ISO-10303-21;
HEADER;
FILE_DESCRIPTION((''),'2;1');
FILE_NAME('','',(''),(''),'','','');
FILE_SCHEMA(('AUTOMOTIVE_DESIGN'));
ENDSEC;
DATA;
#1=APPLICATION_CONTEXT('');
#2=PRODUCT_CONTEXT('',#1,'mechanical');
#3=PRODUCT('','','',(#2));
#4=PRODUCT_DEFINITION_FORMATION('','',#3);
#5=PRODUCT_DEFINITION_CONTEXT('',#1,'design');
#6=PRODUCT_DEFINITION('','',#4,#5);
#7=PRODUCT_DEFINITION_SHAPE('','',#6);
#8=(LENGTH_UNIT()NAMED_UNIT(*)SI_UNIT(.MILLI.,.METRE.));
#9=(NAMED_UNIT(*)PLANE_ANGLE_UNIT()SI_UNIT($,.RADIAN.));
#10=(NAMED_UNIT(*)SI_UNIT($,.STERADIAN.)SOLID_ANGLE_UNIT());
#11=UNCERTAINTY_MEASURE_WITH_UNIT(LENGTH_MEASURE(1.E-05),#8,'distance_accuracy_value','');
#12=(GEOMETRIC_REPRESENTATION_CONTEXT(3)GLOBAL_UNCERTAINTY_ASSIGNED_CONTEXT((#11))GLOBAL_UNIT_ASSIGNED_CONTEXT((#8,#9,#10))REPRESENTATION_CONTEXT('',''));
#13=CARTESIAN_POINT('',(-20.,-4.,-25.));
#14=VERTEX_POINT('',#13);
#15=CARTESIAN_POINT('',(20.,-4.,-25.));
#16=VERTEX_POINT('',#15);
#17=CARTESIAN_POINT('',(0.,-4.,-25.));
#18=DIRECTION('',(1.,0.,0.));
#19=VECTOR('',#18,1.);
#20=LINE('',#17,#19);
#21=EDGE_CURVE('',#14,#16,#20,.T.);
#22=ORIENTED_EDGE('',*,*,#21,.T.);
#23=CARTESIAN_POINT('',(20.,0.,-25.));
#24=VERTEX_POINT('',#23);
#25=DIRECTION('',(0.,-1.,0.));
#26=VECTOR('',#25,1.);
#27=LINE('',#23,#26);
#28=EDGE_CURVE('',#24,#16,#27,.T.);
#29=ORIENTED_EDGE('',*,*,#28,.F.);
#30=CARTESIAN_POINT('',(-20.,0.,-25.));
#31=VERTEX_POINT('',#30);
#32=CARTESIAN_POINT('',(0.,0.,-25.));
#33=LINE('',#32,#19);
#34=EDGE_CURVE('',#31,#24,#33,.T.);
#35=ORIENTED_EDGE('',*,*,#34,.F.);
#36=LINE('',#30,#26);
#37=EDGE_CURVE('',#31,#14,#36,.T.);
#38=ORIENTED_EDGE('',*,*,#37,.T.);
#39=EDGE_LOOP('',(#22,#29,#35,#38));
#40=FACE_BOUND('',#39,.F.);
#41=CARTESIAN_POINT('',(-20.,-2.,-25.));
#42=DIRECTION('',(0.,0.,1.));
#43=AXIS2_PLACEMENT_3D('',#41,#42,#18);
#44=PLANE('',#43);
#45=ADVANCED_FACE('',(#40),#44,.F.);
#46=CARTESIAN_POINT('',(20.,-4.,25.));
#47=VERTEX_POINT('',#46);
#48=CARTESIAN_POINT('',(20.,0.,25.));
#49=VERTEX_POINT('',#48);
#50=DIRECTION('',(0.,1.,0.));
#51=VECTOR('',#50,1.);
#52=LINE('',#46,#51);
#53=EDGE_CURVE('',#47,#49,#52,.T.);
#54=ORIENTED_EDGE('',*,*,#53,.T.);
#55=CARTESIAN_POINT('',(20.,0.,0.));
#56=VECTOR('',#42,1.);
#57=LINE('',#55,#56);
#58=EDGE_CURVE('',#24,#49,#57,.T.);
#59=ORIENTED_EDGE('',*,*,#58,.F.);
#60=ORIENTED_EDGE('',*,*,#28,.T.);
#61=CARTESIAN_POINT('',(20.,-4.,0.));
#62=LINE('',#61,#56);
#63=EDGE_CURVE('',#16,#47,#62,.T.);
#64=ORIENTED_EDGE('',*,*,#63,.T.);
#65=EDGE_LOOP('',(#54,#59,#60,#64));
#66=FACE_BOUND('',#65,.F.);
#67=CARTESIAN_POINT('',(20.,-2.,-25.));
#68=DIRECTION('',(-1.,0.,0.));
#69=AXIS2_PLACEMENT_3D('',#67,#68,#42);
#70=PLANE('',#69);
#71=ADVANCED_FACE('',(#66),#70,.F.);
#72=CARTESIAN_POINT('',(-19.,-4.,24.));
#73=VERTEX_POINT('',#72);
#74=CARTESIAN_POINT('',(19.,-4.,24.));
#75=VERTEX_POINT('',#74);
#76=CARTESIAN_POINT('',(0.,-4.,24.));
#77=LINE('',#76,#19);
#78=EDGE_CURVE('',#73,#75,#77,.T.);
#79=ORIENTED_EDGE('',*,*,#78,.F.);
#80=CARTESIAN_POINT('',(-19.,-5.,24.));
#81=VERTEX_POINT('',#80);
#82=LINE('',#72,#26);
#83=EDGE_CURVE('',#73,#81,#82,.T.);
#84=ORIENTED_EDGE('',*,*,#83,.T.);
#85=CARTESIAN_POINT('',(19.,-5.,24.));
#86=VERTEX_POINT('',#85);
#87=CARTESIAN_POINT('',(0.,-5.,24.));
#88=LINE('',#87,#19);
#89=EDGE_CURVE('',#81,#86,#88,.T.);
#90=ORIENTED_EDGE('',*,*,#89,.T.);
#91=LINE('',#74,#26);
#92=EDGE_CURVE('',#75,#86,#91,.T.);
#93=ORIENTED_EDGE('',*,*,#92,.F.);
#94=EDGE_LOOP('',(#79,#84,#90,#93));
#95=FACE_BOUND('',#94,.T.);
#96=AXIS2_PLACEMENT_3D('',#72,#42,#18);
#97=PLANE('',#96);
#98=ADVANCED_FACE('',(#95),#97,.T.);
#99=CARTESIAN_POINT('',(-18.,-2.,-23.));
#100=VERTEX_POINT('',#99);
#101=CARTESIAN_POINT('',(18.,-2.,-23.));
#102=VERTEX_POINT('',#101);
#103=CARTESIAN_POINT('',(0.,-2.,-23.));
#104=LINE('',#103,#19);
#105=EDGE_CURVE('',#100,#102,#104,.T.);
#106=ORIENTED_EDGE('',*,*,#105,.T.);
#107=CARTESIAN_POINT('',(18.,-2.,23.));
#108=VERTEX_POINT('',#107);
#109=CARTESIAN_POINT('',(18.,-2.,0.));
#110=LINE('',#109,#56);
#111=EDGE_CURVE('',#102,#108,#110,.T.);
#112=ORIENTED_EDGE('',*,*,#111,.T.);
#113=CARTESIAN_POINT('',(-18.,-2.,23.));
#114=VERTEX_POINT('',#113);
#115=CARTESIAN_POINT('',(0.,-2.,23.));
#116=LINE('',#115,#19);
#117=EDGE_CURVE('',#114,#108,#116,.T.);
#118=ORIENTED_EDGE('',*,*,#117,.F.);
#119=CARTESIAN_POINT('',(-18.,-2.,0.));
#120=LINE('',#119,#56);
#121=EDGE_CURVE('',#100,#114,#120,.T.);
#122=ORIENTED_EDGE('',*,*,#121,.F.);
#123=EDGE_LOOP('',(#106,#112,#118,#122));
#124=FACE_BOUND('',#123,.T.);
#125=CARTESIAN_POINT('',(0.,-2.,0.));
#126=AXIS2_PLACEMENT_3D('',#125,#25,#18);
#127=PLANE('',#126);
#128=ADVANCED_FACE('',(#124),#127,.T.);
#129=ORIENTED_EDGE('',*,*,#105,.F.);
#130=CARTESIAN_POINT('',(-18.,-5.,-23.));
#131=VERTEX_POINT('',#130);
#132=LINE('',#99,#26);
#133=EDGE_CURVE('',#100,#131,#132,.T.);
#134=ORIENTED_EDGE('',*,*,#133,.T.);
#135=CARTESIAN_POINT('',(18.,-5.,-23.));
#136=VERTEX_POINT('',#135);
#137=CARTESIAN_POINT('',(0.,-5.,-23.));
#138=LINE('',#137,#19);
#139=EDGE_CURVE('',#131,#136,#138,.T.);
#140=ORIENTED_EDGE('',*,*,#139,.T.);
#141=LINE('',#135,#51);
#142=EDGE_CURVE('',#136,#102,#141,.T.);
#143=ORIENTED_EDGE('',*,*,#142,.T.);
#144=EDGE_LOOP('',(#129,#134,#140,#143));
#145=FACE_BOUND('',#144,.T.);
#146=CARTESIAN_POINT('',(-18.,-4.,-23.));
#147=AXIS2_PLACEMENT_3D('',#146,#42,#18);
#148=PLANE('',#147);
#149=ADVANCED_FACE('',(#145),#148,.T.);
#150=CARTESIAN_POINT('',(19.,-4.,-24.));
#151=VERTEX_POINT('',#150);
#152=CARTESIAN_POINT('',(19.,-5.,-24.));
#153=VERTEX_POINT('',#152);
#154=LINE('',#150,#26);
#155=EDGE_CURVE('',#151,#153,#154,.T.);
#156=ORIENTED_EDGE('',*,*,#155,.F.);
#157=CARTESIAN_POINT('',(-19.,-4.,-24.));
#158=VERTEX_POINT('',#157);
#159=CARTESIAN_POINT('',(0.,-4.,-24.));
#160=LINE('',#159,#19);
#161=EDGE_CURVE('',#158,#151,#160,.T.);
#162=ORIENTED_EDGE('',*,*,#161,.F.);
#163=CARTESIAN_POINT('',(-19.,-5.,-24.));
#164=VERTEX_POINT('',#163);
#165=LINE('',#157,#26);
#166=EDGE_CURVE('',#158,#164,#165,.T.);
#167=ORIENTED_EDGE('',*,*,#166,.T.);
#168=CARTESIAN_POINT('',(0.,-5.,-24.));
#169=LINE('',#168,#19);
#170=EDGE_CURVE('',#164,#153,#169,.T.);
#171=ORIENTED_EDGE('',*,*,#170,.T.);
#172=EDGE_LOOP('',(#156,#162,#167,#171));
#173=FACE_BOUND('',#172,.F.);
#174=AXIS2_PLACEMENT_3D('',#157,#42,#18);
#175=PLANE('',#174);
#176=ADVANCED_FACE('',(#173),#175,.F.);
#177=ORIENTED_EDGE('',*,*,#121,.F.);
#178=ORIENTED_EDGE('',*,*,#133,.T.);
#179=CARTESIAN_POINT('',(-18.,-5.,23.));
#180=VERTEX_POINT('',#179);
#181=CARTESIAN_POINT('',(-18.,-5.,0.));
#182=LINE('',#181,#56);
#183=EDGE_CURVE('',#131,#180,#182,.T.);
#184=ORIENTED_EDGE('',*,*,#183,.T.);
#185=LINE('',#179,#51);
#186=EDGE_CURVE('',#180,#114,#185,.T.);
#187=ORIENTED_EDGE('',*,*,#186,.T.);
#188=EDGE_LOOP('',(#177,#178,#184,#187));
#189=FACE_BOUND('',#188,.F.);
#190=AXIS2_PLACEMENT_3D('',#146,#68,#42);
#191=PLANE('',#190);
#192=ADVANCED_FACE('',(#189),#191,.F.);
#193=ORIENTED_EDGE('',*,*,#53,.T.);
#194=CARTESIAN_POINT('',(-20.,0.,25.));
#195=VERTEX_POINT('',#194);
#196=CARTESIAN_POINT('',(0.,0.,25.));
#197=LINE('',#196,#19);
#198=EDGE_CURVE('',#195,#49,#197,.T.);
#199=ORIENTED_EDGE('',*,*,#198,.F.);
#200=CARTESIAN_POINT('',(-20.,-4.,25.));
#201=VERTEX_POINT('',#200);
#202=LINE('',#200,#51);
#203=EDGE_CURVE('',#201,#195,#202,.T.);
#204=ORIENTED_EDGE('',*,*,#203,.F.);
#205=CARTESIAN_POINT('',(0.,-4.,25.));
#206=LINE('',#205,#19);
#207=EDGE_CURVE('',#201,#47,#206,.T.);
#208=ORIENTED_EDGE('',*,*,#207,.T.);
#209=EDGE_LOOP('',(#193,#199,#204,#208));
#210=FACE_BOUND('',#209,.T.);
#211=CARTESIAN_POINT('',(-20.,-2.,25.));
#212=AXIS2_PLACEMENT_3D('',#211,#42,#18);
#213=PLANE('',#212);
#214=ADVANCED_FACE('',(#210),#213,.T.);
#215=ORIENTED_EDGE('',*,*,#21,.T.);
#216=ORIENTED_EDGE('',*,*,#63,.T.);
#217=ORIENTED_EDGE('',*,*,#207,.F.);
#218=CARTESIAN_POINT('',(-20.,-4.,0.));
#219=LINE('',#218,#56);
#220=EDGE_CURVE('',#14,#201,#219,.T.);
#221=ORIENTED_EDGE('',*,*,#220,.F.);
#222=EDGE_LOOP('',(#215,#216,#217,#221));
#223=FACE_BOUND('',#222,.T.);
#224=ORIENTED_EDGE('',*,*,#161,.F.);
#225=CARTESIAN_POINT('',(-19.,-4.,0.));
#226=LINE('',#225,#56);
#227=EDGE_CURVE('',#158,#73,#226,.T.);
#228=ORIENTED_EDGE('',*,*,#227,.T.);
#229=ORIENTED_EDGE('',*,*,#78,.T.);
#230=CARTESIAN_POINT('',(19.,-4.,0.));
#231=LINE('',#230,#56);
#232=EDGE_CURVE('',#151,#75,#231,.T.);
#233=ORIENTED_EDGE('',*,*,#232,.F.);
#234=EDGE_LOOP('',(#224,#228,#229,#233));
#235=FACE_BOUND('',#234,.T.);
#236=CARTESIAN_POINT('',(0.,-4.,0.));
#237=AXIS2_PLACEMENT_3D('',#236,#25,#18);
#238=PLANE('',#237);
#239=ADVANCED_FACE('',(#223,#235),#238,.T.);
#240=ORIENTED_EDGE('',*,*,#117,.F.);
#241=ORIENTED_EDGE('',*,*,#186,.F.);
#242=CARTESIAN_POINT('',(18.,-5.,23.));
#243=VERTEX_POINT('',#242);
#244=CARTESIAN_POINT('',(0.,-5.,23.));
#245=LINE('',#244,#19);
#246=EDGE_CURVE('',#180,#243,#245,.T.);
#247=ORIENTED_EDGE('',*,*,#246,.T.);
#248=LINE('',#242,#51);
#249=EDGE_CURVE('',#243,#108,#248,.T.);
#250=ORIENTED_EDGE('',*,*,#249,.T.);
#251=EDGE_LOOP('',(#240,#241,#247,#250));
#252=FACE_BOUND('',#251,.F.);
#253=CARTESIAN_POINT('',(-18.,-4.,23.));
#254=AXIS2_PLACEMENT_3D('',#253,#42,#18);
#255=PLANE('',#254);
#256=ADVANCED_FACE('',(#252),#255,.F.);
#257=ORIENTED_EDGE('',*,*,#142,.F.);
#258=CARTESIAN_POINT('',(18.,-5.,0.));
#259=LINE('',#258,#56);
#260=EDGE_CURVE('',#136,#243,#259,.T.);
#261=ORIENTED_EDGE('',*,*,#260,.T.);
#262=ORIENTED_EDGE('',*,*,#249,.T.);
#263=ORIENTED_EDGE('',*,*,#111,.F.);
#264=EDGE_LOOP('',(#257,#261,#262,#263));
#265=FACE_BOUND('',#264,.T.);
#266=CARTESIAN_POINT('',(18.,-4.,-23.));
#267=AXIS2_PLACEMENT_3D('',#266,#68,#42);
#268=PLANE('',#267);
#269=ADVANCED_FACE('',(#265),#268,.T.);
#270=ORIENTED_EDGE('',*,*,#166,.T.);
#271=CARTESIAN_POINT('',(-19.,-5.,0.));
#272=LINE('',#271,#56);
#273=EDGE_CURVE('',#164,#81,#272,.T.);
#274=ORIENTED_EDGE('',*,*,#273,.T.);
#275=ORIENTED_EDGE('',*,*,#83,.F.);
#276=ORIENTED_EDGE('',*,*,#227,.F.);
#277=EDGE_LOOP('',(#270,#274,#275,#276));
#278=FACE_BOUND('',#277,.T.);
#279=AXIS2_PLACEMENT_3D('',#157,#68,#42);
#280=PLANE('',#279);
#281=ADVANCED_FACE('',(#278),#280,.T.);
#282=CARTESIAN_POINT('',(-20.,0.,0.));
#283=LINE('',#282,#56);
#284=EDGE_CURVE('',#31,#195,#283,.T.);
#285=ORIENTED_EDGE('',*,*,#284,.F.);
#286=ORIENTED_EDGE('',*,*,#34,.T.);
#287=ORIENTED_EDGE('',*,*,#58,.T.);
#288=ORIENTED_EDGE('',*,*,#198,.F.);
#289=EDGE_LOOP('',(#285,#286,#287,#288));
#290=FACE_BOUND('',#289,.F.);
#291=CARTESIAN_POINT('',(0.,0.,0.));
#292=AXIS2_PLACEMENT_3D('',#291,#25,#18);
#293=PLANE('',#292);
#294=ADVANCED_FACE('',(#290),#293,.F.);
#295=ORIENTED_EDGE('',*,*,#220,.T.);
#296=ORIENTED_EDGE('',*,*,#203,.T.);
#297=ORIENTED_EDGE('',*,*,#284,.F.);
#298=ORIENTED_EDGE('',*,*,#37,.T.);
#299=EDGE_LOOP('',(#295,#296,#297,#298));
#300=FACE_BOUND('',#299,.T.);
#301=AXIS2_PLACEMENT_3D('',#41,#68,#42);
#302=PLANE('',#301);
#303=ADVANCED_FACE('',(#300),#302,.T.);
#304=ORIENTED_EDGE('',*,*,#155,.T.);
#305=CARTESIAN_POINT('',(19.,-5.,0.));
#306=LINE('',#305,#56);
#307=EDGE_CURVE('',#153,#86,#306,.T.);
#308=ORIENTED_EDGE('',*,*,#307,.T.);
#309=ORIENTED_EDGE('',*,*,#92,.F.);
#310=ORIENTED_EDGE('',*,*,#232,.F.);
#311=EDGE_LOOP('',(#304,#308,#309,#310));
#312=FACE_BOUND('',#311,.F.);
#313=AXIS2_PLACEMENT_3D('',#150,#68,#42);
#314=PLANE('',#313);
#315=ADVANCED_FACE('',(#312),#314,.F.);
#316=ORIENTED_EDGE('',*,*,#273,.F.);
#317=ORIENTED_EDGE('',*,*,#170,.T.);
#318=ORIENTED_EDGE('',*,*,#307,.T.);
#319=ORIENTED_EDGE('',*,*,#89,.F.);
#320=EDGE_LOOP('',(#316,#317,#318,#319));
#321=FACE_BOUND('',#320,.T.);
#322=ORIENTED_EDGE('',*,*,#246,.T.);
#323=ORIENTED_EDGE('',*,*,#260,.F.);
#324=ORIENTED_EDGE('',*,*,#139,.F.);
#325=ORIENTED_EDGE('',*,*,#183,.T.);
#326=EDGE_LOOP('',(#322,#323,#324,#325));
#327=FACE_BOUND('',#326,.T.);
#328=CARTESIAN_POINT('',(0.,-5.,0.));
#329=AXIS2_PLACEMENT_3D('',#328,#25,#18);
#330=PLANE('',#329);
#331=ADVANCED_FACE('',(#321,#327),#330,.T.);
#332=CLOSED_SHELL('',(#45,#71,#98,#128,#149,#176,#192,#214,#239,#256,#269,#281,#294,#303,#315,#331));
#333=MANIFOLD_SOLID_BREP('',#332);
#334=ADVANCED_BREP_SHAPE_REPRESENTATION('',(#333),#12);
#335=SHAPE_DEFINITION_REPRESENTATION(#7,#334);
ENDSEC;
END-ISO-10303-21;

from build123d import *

# Parameters (mm, degrees)
F0_W     = 40
F0_H     = 50
F1_DEPTH = 2
F2_W     = 40
F2_H     = 50
F2_W_2   = 36
F2_H_2   = 46
F3_DEPTH = 2
F4_W     = 38
F4_H     = 48
F4_W_2   = 36
F4_H_2   = 46
F5_DEPTH = 1


with BuildPart() as f1:
    # F0 (on Front) → F1 (new body)
    with BuildSketch(Plane.XZ):
        Rectangle(F0_W, F0_H)
    extrude(amount=F1_DEPTH)

    # F2 (on face) → F3 (join)
    with BuildSketch(Plane.XZ.offset(2)):
        Rectangle(F2_W, F2_H)
        Rectangle(F2_W_2, F2_H_2, mode=Mode.SUBTRACT)
    extrude(amount=F3_DEPTH)

    # F4 (on face) → F5 (join)
    with BuildSketch(Plane.XZ.offset(4)):
        Rectangle(F4_W, F4_H)
        Rectangle(F4_W_2, F4_H_2, mode=Mode.SUBTRACT)
    extrude(amount=F5_DEPTH)


solid = f1.part
